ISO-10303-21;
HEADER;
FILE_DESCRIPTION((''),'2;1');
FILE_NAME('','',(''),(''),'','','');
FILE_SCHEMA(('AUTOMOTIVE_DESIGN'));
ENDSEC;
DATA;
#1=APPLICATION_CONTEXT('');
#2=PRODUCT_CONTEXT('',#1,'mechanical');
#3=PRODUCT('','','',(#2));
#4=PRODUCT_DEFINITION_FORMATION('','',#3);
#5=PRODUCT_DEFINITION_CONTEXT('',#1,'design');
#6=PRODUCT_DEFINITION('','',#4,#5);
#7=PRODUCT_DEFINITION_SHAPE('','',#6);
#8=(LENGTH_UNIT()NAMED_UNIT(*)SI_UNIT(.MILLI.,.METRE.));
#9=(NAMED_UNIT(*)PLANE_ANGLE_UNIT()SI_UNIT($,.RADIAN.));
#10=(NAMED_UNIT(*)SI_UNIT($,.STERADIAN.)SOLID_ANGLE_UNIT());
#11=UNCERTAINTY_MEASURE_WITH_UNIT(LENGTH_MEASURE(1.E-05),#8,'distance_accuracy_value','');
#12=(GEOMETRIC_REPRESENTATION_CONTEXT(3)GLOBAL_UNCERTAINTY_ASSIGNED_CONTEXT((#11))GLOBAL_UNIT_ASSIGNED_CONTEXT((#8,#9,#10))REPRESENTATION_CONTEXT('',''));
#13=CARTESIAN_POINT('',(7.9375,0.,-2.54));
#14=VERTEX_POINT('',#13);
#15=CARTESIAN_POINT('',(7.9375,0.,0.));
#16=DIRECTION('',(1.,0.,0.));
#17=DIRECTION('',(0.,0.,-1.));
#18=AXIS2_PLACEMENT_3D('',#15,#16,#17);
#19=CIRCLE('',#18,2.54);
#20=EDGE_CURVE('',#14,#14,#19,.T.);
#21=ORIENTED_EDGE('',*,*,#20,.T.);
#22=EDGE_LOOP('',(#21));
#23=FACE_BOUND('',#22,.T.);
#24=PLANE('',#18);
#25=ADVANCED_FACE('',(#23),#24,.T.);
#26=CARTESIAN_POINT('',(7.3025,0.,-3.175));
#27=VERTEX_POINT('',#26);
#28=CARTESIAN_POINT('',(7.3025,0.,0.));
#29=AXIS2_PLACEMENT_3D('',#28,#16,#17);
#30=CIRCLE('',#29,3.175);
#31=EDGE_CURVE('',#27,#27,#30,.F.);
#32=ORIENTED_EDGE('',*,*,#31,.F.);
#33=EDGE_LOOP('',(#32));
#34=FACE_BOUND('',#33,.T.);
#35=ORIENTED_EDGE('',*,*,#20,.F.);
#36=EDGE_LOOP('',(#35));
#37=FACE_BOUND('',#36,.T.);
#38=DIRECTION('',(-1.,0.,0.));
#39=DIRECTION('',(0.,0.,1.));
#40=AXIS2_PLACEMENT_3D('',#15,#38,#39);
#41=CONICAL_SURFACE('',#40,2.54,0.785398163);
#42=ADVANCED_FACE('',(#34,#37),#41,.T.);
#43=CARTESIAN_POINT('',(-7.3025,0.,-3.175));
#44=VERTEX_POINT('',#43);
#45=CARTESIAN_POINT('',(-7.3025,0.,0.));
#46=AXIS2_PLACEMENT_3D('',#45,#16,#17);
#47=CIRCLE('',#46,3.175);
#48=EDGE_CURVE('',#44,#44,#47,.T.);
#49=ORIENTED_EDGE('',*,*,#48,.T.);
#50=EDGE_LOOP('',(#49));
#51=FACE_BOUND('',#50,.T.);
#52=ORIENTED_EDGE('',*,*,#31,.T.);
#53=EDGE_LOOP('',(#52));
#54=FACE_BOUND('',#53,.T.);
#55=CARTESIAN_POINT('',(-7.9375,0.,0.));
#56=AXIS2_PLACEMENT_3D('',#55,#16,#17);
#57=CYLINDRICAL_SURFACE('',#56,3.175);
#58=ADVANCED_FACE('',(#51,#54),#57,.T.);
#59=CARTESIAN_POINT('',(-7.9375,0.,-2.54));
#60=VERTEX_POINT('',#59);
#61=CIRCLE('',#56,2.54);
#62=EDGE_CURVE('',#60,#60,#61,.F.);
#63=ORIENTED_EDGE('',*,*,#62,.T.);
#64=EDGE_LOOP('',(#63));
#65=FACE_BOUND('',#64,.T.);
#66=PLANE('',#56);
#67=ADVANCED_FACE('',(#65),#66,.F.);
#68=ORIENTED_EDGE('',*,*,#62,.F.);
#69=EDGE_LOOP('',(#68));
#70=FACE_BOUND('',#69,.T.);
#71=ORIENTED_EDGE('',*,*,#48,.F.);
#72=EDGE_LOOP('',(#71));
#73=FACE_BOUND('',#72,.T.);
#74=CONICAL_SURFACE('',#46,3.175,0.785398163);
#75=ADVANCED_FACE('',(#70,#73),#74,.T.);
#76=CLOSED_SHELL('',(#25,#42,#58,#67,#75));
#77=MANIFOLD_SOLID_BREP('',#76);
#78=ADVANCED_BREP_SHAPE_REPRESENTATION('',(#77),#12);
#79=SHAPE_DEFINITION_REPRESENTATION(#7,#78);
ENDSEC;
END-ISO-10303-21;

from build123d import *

# Parameters (mm, degrees)
SKETCH2_R           = 3.175
EXTRUDE1_DEPTH      = 7.9375
EXTRUDE1_DEPTH_BACK = 7.9375
CHAMFER1_SIZE       = 0.635


with BuildPart() as part:
    # Sketch2 → Extrude1 (new body, two sides)
    with BuildSketch(Plane(origin=(0, 0, 0), x_dir=(0, 0, -1), z_dir=(1, 0, 0))) as extrude1_sk:
        Circle(SKETCH2_R)
    extrude(amount=EXTRUDE1_DEPTH)
    extrude(extrude1_sk.sketch, amount=-EXTRUDE1_DEPTH_BACK)

    # Chamfer1
    chamfer1_edges = [part.edges().sort_by_distance(p)[0] for p in [
        (-7.9375, 0, 3.175),
        (7.9375, 0, 3.175),
    ]]
    chamfer(chamfer1_edges, length=CHAMFER1_SIZE)


solid = part.part
